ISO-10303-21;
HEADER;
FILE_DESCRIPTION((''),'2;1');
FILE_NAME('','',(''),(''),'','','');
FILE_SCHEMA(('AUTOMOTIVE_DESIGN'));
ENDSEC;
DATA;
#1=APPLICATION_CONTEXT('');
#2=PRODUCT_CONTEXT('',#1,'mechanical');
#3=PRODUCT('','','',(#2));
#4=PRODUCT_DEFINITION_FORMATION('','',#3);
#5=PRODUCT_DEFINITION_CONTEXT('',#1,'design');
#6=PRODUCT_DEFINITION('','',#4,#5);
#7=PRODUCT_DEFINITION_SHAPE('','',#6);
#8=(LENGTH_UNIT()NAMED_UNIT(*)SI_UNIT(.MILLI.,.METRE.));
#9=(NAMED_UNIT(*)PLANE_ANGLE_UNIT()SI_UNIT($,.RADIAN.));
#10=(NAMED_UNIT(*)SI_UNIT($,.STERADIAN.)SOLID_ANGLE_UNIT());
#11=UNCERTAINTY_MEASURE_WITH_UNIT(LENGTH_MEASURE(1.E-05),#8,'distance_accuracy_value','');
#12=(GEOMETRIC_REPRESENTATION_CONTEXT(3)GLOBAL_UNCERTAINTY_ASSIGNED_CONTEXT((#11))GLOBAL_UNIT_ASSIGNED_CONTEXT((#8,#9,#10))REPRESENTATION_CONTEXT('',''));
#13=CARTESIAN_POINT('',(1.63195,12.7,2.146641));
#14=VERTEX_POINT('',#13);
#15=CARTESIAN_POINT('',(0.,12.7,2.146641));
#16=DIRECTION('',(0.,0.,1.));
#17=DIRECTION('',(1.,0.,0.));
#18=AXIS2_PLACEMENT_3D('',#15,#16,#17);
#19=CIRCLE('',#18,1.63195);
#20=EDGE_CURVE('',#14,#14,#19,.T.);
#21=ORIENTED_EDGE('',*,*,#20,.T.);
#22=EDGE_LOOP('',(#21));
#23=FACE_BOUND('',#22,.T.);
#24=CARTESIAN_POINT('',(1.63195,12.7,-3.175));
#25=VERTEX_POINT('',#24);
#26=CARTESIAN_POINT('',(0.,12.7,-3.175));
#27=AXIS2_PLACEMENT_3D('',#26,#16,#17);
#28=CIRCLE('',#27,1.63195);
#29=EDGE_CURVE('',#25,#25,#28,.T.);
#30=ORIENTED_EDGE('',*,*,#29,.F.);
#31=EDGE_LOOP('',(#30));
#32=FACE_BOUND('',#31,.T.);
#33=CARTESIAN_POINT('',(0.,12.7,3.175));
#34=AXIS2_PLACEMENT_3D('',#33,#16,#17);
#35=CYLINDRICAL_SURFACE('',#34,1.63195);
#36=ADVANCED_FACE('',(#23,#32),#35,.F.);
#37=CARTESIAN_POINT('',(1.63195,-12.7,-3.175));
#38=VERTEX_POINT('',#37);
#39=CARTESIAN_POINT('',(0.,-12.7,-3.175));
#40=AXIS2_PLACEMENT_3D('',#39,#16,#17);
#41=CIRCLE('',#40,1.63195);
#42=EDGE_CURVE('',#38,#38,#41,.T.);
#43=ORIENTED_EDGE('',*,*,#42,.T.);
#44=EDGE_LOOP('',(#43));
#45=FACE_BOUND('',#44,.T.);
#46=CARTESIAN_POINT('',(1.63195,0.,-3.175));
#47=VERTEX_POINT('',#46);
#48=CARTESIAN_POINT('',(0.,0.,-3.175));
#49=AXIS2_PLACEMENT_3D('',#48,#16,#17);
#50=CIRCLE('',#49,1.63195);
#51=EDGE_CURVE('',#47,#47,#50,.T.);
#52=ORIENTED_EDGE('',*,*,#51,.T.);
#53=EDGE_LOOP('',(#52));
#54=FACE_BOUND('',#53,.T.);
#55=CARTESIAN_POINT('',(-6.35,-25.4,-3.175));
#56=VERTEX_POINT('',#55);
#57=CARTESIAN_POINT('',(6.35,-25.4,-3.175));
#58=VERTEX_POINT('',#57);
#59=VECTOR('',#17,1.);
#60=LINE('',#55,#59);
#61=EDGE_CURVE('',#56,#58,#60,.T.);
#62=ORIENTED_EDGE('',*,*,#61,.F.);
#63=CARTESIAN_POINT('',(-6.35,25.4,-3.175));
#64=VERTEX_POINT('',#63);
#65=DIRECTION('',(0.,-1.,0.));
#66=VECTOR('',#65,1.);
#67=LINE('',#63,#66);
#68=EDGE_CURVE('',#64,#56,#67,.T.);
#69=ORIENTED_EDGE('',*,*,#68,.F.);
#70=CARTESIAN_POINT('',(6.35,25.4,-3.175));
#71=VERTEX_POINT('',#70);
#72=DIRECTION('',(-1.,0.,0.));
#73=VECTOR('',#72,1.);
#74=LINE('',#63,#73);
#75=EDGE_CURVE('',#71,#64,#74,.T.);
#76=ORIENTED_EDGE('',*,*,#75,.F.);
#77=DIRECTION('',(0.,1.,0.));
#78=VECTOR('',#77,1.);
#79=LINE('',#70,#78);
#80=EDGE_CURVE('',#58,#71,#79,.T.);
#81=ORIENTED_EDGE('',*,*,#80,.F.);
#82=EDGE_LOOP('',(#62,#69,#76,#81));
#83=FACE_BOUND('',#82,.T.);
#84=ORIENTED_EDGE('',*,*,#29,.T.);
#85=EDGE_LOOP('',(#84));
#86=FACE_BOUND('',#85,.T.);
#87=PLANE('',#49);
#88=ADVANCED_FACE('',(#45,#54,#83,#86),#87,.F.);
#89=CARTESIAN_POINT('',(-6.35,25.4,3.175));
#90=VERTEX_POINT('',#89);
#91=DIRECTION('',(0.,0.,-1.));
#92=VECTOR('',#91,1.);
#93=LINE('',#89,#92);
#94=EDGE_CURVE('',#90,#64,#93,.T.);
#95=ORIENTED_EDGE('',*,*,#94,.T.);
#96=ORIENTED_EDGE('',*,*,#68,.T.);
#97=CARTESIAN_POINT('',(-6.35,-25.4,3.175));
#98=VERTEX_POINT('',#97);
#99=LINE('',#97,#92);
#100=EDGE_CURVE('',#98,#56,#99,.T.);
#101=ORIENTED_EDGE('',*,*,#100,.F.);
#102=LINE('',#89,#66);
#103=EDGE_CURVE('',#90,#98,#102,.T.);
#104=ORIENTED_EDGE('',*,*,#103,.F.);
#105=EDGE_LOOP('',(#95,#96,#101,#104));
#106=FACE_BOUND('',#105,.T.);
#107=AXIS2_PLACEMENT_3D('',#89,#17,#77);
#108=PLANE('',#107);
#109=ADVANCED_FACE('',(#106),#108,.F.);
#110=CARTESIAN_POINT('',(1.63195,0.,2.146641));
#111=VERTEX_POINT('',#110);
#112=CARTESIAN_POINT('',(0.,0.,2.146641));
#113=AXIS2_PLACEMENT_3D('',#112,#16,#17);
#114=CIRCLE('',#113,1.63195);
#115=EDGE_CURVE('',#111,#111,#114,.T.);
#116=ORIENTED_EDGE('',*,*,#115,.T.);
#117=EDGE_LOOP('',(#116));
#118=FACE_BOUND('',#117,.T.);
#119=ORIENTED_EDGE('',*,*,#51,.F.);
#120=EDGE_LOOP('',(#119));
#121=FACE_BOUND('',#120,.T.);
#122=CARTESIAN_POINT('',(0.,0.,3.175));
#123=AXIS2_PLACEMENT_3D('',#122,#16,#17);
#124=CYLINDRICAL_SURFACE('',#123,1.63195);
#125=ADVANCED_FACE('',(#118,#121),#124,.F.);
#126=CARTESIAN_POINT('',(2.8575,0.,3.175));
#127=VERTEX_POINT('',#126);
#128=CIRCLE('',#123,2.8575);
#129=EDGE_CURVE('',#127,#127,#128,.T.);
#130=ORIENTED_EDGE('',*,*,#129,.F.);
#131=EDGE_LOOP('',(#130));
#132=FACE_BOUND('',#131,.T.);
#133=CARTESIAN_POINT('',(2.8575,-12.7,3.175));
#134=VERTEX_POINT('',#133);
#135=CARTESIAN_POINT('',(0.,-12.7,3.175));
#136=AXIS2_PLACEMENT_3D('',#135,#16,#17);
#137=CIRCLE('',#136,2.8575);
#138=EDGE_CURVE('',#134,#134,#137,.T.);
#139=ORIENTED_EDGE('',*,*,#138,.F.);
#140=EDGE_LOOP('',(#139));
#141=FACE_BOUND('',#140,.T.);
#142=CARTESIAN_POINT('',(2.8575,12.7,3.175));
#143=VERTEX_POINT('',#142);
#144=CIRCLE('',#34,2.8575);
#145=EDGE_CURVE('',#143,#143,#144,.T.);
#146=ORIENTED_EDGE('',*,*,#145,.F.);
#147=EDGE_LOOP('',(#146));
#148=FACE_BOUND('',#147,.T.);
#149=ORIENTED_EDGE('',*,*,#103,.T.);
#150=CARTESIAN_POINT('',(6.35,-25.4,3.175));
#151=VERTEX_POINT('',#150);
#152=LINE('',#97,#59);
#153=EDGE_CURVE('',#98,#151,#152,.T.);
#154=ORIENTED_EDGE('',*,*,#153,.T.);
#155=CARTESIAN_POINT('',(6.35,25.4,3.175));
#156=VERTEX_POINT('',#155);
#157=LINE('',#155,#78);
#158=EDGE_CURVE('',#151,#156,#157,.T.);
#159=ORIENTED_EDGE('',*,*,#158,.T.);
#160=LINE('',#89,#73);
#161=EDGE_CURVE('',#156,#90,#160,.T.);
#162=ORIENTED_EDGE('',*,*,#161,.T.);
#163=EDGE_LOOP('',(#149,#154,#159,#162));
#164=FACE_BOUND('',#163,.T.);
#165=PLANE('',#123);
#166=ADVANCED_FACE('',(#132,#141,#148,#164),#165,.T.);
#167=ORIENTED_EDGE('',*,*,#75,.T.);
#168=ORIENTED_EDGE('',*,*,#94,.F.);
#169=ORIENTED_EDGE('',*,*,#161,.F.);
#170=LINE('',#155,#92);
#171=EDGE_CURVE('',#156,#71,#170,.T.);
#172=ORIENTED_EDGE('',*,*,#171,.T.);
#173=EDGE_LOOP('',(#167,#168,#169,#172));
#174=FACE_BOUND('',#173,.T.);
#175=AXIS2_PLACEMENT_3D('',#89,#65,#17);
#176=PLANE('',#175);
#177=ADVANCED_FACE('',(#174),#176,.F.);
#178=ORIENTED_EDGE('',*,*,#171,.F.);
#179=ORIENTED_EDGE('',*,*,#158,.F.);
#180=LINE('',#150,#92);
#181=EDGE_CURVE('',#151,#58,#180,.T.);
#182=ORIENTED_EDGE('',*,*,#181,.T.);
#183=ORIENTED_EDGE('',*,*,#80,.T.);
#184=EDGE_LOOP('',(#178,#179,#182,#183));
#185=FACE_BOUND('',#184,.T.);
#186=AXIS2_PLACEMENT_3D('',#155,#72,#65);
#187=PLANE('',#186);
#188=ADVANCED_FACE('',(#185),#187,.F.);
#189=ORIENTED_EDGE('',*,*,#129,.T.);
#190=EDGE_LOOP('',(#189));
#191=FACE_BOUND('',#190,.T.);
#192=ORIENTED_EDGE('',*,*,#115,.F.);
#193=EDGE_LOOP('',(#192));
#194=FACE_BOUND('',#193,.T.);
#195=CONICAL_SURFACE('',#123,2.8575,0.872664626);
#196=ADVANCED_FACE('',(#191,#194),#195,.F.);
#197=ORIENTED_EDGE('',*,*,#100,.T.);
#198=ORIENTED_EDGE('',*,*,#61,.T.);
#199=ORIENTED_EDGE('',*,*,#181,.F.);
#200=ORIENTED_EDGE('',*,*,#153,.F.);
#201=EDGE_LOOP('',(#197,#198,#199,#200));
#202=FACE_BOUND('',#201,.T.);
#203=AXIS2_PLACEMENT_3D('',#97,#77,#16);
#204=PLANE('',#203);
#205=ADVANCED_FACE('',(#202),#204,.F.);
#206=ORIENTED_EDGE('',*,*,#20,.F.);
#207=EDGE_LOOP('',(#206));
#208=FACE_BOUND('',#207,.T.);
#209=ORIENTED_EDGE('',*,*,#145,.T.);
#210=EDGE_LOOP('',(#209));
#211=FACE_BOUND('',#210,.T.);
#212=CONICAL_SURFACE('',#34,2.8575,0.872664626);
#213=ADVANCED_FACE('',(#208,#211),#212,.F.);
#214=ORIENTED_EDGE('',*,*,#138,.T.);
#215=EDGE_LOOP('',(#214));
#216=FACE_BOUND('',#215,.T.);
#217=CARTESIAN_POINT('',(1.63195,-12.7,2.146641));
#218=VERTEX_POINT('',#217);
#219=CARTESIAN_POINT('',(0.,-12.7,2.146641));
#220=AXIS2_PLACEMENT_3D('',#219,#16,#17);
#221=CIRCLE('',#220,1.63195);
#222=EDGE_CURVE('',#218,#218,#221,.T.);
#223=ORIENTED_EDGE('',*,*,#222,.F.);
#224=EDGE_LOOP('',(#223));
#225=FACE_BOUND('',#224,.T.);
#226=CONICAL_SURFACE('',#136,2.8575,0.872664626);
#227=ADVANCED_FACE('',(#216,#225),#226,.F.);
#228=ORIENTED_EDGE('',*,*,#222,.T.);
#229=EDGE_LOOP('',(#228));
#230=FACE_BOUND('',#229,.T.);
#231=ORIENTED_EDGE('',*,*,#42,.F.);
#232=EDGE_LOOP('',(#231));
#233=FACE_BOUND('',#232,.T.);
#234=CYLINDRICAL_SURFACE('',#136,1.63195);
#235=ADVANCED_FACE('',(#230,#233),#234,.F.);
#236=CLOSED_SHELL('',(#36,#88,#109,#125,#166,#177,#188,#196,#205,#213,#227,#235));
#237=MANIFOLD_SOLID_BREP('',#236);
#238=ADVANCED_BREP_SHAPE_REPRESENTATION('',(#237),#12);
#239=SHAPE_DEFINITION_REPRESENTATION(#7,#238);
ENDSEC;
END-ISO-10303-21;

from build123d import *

# Parameters (mm, degrees)
SKETCH1_W                                         = 12.7
SKETCH1_H                                         = 50.8
BOSS_EXTRUDE1_DEPTH                               = 3.175
CSK_FOR_4_FLAT_HEAD_MACHINE_SCREW_100_D           = 3.2639
CSK_FOR_4_FLAT_HEAD_MACHINE_SCREW_100_CSINK_D     = 5.715
CSK_FOR_4_FLAT_HEAD_MACHINE_SCREW_100_CSINK_ANGLE = 100


with BuildPart() as part:
    # Sketch1 → Boss-Extrude1 (new, symmetric)
    with BuildSketch(Plane.XY):
        Rectangle(SKETCH1_W, SKETCH1_H)
    extrude(amount=BOSS_EXTRUDE1_DEPTH, both=True)

    # CSK for #4 Flat Head Machine Screw (100)1 (through all)
    with Locations(Plane.XY.offset(3.175)):
        with Locations((0, 12.7), (0, 0), (0, -12.7)):
            CounterSinkHole(CSK_FOR_4_FLAT_HEAD_MACHINE_SCREW_100_D / 2, CSK_FOR_4_FLAT_HEAD_MACHINE_SCREW_100_CSINK_D / 2, counter_sink_angle=CSK_FOR_4_FLAT_HEAD_MACHINE_SCREW_100_CSINK_ANGLE)


solid = part.part
